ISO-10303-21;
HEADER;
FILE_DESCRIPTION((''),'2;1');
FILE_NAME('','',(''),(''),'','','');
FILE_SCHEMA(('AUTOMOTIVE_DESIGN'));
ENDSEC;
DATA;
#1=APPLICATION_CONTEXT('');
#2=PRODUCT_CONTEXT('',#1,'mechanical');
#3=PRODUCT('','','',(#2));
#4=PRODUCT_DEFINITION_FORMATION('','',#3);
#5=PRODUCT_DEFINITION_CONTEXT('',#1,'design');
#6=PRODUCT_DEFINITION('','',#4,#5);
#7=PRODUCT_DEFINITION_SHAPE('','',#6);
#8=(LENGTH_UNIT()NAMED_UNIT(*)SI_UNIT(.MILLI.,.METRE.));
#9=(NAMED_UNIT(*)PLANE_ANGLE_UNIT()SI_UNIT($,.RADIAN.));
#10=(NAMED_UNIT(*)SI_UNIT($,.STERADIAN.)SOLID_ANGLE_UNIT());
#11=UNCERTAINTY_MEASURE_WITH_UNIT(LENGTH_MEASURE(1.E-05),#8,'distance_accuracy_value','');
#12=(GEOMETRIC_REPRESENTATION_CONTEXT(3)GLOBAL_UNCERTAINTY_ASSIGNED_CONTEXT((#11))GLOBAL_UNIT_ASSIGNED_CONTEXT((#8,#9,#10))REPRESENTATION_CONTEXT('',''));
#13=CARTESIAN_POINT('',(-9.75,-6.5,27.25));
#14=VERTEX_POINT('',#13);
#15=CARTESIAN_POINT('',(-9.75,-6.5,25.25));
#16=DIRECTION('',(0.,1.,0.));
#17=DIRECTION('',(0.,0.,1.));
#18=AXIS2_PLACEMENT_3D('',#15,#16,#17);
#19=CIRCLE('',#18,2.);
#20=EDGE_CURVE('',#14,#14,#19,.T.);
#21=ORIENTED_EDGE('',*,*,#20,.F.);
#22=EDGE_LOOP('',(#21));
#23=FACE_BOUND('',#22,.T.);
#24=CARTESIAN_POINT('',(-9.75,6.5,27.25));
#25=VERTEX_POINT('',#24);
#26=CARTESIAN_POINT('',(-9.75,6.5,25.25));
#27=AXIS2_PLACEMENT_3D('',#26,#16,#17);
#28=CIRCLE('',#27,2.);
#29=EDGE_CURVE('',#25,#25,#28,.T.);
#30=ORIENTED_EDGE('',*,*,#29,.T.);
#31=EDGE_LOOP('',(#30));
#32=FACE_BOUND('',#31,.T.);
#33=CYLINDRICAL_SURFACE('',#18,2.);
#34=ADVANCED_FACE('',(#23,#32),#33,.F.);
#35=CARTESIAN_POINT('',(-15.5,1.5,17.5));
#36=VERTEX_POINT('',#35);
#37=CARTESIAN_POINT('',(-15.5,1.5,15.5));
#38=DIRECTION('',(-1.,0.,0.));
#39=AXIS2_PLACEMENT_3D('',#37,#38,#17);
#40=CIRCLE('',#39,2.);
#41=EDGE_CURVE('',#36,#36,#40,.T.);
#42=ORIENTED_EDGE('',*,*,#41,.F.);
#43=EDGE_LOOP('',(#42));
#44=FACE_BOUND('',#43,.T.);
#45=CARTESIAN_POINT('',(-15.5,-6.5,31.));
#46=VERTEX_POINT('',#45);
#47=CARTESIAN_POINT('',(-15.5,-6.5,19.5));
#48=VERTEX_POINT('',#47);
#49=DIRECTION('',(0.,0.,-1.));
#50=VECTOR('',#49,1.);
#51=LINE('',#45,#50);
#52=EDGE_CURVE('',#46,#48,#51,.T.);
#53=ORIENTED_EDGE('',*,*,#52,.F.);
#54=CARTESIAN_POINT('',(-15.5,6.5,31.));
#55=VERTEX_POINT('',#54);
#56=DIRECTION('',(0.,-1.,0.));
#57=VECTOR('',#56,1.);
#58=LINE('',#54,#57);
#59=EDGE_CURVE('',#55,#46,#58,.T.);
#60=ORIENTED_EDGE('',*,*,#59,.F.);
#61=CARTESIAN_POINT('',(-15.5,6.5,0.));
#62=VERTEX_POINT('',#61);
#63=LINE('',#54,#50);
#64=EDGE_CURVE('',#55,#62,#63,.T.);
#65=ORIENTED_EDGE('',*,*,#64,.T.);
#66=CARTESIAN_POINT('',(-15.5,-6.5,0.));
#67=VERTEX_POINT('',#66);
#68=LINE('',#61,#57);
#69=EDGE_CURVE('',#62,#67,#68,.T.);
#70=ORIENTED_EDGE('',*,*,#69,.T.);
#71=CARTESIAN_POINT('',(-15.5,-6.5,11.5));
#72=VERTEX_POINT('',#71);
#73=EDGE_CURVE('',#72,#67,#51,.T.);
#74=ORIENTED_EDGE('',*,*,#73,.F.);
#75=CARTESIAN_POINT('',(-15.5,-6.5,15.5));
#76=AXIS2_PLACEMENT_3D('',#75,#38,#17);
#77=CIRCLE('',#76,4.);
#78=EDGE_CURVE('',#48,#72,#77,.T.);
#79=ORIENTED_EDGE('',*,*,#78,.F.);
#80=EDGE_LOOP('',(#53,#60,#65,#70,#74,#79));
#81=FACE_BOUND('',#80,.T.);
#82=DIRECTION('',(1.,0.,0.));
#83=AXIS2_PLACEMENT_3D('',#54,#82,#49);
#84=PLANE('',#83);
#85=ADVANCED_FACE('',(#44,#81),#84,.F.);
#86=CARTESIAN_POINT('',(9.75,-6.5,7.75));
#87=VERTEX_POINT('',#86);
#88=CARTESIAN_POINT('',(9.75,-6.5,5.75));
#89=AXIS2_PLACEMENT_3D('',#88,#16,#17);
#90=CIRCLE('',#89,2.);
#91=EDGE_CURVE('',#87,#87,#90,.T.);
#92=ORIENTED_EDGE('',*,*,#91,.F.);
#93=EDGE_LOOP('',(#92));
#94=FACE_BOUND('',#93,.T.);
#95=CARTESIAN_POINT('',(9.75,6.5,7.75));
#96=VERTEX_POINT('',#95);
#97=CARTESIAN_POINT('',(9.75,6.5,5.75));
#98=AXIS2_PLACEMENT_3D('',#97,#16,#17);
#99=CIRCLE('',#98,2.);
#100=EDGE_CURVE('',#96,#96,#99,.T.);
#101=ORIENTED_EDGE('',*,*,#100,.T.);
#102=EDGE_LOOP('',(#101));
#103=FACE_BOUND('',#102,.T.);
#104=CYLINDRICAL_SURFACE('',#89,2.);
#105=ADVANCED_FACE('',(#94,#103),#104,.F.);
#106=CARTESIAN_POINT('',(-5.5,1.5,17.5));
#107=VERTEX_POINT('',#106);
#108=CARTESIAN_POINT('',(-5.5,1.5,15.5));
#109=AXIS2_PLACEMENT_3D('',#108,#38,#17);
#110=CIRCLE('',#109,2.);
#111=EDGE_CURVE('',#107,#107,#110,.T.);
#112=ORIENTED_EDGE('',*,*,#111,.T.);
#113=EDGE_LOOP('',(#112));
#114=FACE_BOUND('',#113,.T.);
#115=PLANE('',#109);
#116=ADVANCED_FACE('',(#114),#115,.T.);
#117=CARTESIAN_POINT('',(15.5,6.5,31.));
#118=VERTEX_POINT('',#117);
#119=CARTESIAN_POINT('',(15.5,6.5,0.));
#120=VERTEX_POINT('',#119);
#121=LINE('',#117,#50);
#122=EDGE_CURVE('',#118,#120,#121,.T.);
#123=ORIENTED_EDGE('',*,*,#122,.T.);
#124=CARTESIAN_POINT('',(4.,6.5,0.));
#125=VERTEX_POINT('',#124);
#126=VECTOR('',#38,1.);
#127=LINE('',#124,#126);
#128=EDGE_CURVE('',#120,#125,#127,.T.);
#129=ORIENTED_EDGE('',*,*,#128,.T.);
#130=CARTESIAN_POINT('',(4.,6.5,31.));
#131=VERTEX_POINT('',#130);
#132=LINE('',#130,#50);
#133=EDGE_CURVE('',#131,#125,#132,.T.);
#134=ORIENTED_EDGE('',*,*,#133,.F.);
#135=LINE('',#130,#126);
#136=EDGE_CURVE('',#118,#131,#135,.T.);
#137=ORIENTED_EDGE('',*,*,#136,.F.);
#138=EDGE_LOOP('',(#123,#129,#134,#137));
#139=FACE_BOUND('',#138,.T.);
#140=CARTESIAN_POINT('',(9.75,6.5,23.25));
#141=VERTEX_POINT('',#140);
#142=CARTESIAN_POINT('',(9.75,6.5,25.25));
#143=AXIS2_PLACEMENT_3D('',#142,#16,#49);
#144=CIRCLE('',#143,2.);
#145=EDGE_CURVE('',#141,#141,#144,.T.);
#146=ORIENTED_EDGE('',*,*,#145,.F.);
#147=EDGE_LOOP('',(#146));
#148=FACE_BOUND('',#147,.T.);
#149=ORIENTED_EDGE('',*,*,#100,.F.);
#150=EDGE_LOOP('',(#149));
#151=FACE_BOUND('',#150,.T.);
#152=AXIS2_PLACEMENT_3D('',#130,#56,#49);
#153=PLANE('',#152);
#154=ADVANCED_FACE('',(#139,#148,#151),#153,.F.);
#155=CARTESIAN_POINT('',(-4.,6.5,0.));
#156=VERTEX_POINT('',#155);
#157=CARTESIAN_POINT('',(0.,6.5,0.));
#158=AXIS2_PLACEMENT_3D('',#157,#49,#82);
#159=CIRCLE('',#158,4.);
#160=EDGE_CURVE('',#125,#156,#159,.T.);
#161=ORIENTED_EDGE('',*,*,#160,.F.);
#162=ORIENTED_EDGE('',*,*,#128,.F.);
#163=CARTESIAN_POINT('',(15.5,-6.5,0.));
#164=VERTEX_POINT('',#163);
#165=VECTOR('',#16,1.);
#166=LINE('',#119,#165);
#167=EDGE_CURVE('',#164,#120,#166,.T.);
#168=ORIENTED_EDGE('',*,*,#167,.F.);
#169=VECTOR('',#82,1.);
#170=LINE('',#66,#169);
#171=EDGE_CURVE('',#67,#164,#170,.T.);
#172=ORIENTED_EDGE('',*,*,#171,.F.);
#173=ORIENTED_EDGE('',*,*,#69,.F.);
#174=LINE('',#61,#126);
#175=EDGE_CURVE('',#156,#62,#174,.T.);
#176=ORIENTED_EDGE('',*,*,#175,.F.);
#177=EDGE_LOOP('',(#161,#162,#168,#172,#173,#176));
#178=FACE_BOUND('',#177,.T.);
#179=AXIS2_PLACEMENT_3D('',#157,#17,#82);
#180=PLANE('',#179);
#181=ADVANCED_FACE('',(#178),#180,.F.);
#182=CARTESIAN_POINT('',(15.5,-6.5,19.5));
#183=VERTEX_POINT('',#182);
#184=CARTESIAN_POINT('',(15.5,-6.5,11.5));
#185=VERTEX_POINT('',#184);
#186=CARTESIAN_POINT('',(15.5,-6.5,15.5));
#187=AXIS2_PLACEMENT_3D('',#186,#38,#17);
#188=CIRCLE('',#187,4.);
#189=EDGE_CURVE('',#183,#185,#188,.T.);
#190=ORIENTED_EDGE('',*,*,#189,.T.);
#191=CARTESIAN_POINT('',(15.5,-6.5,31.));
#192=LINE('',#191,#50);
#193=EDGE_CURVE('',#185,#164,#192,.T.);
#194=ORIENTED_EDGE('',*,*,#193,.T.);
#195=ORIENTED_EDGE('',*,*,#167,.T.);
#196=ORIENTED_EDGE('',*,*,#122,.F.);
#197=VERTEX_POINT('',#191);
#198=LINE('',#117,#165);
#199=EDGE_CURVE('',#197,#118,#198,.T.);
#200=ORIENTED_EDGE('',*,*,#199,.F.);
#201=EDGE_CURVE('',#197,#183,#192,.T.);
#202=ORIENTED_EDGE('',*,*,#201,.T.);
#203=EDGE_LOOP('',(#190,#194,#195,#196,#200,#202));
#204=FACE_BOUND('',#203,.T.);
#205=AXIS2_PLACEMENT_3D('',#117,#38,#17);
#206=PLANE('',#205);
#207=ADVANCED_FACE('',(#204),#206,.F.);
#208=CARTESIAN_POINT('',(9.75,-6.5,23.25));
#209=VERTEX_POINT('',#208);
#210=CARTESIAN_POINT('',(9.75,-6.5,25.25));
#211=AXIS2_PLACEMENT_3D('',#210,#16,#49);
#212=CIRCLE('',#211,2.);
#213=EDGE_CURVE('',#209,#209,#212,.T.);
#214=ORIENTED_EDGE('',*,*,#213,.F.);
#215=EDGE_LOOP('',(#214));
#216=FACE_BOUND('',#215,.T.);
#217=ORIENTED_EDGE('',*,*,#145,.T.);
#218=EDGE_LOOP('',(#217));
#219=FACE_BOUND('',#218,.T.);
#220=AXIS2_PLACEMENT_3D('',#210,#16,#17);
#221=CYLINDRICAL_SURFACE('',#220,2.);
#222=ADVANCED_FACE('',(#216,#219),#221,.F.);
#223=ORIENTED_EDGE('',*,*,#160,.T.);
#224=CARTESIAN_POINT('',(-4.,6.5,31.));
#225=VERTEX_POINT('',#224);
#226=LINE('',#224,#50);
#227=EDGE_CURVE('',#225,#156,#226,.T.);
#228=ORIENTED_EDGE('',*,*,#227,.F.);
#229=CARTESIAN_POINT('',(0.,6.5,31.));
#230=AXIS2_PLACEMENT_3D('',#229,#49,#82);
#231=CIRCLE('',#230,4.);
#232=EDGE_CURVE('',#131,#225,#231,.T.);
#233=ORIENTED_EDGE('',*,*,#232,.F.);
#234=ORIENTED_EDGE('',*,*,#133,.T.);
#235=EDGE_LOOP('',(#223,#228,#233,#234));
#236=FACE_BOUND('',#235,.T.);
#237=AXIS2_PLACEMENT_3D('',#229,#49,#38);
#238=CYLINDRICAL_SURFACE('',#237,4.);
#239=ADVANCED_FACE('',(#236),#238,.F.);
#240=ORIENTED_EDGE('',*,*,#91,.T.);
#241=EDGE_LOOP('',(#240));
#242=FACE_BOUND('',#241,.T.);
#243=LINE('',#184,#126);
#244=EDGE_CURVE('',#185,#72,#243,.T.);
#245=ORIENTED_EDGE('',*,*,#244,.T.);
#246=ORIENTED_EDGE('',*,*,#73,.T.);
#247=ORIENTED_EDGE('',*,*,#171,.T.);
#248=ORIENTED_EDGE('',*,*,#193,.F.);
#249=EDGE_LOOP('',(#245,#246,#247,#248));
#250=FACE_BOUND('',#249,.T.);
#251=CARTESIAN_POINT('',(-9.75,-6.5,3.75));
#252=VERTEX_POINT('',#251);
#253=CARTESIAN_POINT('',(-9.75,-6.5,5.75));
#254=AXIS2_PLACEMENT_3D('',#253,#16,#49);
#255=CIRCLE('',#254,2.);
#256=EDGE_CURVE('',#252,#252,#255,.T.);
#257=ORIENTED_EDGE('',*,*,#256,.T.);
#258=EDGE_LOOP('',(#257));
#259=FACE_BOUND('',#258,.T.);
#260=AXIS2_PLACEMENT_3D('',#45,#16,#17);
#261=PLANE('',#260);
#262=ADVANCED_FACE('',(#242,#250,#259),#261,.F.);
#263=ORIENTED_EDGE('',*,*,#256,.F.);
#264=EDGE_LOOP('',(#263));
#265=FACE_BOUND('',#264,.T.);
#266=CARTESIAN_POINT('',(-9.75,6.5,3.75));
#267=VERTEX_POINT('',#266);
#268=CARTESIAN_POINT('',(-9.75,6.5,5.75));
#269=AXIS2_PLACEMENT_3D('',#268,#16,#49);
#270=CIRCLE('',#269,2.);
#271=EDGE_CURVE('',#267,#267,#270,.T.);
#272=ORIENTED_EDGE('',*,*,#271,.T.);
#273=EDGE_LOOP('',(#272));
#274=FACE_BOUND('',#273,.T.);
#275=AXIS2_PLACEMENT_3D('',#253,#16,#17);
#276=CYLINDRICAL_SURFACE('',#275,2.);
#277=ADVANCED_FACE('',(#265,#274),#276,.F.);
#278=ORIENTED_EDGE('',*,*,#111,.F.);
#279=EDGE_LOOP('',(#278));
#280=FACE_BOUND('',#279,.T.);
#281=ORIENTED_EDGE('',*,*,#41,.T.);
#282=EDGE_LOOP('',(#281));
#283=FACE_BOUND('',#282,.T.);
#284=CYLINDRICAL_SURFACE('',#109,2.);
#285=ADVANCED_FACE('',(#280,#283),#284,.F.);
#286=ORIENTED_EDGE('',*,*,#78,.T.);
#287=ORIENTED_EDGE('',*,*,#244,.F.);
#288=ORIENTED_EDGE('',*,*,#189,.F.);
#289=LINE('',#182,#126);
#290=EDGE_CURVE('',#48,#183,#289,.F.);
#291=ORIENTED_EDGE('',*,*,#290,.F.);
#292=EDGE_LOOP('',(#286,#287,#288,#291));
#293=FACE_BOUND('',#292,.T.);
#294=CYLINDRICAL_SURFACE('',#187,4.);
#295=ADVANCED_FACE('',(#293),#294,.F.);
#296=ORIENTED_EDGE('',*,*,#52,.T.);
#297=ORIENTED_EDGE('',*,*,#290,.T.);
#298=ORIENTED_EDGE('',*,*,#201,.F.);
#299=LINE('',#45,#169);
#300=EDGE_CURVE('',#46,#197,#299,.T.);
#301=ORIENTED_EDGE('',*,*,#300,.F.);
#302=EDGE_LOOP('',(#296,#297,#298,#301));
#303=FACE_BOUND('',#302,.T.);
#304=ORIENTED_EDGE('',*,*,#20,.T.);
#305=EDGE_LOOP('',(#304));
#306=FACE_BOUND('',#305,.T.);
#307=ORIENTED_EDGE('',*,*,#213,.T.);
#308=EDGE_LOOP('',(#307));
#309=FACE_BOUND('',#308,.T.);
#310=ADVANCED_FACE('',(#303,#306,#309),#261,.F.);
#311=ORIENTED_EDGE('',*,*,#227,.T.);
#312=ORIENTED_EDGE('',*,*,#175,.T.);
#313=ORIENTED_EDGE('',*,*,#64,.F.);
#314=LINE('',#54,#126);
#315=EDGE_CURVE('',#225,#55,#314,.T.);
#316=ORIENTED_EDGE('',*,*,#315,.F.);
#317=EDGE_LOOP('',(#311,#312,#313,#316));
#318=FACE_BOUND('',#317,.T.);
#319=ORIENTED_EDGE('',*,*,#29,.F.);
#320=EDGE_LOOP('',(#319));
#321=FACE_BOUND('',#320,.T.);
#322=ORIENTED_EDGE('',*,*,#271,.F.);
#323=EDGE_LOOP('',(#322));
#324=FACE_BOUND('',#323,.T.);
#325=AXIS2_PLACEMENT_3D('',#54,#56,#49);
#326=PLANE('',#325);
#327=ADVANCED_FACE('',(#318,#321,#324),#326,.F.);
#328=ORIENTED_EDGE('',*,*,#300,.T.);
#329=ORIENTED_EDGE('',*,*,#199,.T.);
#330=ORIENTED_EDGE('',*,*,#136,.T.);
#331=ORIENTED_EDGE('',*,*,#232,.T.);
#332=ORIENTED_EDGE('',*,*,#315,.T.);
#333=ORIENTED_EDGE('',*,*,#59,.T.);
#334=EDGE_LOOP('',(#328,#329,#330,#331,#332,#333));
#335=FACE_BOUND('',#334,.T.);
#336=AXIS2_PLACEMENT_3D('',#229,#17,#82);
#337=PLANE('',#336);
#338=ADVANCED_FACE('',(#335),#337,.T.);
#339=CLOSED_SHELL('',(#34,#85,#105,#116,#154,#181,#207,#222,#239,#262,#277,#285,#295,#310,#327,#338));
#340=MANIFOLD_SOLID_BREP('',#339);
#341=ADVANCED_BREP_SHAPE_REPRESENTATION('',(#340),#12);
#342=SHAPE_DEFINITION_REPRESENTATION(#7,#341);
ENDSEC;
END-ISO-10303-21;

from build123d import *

# Parameters (mm, degrees)
P_IDAT_VYSUNUT_M1_DEPTH  = 31
SKICA2_R                 = 4
ODEBRAT_VYSUNUT_M1_DEPTH = 45.319860108
SKICA3_R                 = 2
ODEBRAT_VYSUNUT_M2_DEPTH = 38.016888038
SKICA4_R                 = 2
ODEBRAT_VYSUNUT_M3_DEPTH = 10


with BuildPart() as part:
    # Skica1 → Přidat vysunutím1 (new body)
    with BuildSketch(Plane.XY):
        with BuildLine():
            Line((-15.5, 6.5), (-4, 6.5))
            ThreePointArc((-4, 6.5), (0, 2.5), (4, 6.5))
            Line((4, 6.5), (15.5, 6.5))
            Line((15.5, 6.5), (15.5, -6.5))
            Line((15.5, -6.5), (-15.5, -6.5))
            Line((-15.5, -6.5), (-15.5, 6.5))
        make_face()
    extrude(amount=P_IDAT_VYSUNUT_M1_DEPTH)

    # Skica2 → Odebrat vysunutím1 (cut, through all)
    with BuildSketch(Plane.ZY.offset(15.5)):
        with Locations((15.5, -6.5)):
            Circle(SKICA2_R)
    extrude(amount=-ODEBRAT_VYSUNUT_M1_DEPTH, mode=Mode.SUBTRACT)

    # Skica3 → Odebrat vysunutím2 (cut, through all)
    with BuildSketch(Plane(origin=(0, 6.5, 0), x_dir=(1, 0, 0), z_dir=(0, 1, 0))):
        with Locations(Location((9.75, -5.75, 0), (0, 0, 270))):
            Circle(SKICA3_R)
        with Locations(Location((9.75, -25.25, 0), (0, 0, 90))):
            Circle(SKICA3_R)
        with Locations(Location((-9.75, -25.25, 0), (0, 0, 270))):
            Circle(SKICA3_R)
        with Locations(Location((-9.75, -5.75, 0), (0, 0, 90))):
            Circle(SKICA3_R)
    extrude(amount=-ODEBRAT_VYSUNUT_M2_DEPTH, mode=Mode.SUBTRACT)

    # Skica4 → Odebrat vysunutím3 (cut)
    with BuildSketch(Plane.ZY.offset(15.5)):
        with Locations((15.5, 1.5)):
            Circle(SKICA4_R)
    extrude(amount=-ODEBRAT_VYSUNUT_M3_DEPTH, mode=Mode.SUBTRACT)


solid = part.part
